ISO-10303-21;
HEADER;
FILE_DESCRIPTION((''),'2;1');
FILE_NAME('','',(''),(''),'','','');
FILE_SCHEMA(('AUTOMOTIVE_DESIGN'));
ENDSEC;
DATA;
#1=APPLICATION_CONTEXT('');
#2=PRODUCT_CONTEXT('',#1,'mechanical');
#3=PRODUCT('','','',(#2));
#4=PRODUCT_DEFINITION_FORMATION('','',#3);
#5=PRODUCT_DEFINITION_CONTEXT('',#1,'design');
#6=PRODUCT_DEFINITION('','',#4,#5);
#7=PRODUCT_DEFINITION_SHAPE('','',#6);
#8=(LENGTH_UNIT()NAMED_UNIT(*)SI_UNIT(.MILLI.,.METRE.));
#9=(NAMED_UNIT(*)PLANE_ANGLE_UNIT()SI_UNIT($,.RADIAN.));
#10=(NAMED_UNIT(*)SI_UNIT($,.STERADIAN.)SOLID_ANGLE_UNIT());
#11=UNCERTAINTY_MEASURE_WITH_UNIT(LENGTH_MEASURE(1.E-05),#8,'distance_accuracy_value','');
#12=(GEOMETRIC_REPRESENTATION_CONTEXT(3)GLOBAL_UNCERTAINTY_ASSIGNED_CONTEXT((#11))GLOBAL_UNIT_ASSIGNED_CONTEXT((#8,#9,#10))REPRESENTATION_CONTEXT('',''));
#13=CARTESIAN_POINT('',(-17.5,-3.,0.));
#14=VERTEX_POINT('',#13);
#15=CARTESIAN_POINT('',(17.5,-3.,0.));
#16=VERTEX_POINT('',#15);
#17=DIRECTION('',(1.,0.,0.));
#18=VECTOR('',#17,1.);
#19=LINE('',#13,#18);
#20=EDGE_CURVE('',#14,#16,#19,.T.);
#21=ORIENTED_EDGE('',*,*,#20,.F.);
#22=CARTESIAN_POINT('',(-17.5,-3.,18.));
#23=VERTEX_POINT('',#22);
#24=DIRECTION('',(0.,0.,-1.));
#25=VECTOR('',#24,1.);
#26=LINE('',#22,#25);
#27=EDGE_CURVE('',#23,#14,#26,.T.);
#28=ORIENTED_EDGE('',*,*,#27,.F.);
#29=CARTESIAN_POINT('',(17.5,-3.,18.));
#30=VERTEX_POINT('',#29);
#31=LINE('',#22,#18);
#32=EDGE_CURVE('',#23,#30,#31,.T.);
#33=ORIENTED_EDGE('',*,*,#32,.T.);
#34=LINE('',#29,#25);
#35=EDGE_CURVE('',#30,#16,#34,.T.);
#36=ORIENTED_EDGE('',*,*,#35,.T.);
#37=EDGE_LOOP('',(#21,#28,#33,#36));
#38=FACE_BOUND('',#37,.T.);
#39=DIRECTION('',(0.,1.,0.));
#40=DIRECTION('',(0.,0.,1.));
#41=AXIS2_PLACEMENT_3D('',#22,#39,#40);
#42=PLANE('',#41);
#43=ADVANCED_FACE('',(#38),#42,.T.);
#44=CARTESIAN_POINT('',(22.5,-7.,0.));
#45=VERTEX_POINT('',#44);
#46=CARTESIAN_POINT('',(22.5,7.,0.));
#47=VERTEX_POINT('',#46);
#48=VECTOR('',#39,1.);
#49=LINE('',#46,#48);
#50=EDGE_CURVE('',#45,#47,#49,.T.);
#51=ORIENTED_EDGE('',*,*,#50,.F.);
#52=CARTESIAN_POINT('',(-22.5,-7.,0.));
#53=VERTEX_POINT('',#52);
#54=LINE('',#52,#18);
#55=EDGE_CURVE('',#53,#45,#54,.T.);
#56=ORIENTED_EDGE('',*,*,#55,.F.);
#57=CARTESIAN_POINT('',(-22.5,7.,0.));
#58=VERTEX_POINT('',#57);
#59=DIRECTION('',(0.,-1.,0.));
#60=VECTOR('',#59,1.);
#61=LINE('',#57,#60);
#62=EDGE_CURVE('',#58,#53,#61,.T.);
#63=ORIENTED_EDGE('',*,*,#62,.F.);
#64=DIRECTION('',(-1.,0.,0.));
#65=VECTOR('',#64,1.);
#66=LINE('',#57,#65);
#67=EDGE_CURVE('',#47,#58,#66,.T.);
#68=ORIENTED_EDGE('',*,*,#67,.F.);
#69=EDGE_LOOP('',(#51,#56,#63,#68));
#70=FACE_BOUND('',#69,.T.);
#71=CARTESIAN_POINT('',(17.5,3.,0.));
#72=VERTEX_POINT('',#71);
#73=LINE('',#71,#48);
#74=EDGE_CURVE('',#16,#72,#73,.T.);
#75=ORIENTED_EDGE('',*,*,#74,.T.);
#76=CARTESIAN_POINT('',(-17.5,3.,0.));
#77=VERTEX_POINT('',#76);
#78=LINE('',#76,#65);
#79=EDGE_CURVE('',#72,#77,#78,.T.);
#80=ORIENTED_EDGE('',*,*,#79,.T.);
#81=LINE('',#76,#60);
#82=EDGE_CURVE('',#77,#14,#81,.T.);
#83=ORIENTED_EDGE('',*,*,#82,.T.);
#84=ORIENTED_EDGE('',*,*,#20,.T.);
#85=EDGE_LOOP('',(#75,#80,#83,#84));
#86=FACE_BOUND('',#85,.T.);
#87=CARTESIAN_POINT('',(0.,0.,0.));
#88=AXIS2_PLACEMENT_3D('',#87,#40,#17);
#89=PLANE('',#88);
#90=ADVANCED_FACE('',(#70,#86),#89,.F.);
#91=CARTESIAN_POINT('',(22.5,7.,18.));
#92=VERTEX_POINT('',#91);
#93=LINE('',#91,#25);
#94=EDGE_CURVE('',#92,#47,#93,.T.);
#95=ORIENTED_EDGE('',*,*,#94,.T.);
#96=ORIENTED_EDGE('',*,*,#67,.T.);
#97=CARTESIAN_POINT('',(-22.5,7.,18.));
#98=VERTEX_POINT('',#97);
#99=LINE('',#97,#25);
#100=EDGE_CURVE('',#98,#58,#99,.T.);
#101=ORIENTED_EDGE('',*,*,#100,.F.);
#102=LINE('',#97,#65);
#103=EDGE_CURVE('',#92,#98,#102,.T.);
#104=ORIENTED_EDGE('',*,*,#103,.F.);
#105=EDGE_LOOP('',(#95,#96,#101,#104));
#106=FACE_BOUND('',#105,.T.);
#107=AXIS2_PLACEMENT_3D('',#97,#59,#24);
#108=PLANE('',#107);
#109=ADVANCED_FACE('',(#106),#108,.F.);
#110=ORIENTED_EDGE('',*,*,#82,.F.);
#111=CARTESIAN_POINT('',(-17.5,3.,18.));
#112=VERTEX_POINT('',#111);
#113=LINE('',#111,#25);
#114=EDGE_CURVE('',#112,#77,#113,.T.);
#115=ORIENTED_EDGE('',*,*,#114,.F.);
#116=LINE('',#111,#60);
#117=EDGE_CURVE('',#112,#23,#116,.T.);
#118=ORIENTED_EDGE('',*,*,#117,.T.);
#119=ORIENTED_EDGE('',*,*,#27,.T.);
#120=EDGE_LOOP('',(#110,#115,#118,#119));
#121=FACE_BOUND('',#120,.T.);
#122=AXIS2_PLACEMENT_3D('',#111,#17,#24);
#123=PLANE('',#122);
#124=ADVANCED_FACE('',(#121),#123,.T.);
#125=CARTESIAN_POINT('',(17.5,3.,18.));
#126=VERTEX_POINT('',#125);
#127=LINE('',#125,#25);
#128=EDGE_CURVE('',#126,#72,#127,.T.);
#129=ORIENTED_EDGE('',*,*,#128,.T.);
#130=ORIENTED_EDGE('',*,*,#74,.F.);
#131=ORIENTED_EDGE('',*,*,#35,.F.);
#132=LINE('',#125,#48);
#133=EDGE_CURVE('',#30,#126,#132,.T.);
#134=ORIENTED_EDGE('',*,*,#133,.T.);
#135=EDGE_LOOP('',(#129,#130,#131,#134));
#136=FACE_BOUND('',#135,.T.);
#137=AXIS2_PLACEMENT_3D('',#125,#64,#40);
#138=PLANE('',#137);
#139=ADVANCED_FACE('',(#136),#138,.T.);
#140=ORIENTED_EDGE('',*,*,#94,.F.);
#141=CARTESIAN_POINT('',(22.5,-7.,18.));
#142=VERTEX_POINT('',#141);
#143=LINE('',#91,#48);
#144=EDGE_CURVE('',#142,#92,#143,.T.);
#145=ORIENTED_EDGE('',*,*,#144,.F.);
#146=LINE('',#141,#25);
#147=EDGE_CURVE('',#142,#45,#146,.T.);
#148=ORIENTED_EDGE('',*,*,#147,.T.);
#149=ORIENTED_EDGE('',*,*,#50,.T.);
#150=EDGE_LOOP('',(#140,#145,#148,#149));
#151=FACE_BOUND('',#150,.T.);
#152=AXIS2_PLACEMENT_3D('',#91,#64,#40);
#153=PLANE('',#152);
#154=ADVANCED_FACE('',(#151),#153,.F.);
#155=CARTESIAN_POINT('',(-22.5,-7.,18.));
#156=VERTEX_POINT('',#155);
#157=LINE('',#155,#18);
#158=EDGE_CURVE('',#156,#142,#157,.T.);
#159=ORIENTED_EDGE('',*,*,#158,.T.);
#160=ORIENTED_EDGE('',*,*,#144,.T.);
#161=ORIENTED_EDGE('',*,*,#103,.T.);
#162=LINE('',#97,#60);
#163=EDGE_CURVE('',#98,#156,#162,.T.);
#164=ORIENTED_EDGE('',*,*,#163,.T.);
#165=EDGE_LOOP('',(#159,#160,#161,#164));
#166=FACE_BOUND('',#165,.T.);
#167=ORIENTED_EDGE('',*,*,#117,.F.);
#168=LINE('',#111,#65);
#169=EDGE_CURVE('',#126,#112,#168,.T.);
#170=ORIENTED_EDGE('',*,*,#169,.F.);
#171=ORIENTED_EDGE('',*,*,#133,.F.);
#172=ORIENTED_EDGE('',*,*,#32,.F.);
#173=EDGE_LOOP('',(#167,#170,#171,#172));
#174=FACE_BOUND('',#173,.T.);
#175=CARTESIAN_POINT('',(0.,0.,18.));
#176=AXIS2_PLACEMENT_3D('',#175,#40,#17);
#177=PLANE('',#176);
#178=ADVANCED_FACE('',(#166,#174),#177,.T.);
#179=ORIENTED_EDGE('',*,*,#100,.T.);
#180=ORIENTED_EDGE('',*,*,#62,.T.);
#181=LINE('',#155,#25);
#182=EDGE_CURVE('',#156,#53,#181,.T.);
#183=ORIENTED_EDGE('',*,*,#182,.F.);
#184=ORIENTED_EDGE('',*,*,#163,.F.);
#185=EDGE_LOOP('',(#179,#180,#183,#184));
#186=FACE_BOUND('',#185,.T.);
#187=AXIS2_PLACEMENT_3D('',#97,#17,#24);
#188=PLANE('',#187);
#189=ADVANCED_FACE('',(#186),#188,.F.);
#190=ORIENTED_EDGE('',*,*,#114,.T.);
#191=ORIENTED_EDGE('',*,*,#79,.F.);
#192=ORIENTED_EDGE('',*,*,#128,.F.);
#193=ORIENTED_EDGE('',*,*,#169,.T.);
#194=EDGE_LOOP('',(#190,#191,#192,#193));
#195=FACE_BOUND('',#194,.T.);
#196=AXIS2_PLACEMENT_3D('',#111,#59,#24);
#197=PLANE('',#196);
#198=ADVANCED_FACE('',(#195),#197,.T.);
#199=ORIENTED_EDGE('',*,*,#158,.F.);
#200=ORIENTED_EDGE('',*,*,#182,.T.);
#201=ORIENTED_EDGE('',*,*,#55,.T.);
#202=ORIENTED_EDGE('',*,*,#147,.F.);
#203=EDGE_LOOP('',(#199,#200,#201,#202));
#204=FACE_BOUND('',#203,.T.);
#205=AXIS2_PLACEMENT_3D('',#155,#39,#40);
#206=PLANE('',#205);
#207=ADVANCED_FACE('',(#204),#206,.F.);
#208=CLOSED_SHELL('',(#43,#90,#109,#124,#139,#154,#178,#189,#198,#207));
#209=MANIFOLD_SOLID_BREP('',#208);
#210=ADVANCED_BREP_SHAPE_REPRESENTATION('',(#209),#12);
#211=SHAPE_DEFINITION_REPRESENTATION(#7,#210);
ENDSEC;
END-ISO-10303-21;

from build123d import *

# Parameters (mm, degrees)
SKETCH1_W           = 45
SKETCH1_H           = 14
SKETCH1_W_2         = 35
SKETCH1_H_2         = 6
BOSS_EXTRUDE1_DEPTH = 18


with BuildPart() as part:
    # Sketch1 → Boss-Extrude1 (new body)
    with BuildSketch(Plane.XY):
        Rectangle(SKETCH1_W, SKETCH1_H)
        Rectangle(SKETCH1_W_2, SKETCH1_H_2, mode=Mode.SUBTRACT)
    extrude(amount=BOSS_EXTRUDE1_DEPTH)


solid = part.part
